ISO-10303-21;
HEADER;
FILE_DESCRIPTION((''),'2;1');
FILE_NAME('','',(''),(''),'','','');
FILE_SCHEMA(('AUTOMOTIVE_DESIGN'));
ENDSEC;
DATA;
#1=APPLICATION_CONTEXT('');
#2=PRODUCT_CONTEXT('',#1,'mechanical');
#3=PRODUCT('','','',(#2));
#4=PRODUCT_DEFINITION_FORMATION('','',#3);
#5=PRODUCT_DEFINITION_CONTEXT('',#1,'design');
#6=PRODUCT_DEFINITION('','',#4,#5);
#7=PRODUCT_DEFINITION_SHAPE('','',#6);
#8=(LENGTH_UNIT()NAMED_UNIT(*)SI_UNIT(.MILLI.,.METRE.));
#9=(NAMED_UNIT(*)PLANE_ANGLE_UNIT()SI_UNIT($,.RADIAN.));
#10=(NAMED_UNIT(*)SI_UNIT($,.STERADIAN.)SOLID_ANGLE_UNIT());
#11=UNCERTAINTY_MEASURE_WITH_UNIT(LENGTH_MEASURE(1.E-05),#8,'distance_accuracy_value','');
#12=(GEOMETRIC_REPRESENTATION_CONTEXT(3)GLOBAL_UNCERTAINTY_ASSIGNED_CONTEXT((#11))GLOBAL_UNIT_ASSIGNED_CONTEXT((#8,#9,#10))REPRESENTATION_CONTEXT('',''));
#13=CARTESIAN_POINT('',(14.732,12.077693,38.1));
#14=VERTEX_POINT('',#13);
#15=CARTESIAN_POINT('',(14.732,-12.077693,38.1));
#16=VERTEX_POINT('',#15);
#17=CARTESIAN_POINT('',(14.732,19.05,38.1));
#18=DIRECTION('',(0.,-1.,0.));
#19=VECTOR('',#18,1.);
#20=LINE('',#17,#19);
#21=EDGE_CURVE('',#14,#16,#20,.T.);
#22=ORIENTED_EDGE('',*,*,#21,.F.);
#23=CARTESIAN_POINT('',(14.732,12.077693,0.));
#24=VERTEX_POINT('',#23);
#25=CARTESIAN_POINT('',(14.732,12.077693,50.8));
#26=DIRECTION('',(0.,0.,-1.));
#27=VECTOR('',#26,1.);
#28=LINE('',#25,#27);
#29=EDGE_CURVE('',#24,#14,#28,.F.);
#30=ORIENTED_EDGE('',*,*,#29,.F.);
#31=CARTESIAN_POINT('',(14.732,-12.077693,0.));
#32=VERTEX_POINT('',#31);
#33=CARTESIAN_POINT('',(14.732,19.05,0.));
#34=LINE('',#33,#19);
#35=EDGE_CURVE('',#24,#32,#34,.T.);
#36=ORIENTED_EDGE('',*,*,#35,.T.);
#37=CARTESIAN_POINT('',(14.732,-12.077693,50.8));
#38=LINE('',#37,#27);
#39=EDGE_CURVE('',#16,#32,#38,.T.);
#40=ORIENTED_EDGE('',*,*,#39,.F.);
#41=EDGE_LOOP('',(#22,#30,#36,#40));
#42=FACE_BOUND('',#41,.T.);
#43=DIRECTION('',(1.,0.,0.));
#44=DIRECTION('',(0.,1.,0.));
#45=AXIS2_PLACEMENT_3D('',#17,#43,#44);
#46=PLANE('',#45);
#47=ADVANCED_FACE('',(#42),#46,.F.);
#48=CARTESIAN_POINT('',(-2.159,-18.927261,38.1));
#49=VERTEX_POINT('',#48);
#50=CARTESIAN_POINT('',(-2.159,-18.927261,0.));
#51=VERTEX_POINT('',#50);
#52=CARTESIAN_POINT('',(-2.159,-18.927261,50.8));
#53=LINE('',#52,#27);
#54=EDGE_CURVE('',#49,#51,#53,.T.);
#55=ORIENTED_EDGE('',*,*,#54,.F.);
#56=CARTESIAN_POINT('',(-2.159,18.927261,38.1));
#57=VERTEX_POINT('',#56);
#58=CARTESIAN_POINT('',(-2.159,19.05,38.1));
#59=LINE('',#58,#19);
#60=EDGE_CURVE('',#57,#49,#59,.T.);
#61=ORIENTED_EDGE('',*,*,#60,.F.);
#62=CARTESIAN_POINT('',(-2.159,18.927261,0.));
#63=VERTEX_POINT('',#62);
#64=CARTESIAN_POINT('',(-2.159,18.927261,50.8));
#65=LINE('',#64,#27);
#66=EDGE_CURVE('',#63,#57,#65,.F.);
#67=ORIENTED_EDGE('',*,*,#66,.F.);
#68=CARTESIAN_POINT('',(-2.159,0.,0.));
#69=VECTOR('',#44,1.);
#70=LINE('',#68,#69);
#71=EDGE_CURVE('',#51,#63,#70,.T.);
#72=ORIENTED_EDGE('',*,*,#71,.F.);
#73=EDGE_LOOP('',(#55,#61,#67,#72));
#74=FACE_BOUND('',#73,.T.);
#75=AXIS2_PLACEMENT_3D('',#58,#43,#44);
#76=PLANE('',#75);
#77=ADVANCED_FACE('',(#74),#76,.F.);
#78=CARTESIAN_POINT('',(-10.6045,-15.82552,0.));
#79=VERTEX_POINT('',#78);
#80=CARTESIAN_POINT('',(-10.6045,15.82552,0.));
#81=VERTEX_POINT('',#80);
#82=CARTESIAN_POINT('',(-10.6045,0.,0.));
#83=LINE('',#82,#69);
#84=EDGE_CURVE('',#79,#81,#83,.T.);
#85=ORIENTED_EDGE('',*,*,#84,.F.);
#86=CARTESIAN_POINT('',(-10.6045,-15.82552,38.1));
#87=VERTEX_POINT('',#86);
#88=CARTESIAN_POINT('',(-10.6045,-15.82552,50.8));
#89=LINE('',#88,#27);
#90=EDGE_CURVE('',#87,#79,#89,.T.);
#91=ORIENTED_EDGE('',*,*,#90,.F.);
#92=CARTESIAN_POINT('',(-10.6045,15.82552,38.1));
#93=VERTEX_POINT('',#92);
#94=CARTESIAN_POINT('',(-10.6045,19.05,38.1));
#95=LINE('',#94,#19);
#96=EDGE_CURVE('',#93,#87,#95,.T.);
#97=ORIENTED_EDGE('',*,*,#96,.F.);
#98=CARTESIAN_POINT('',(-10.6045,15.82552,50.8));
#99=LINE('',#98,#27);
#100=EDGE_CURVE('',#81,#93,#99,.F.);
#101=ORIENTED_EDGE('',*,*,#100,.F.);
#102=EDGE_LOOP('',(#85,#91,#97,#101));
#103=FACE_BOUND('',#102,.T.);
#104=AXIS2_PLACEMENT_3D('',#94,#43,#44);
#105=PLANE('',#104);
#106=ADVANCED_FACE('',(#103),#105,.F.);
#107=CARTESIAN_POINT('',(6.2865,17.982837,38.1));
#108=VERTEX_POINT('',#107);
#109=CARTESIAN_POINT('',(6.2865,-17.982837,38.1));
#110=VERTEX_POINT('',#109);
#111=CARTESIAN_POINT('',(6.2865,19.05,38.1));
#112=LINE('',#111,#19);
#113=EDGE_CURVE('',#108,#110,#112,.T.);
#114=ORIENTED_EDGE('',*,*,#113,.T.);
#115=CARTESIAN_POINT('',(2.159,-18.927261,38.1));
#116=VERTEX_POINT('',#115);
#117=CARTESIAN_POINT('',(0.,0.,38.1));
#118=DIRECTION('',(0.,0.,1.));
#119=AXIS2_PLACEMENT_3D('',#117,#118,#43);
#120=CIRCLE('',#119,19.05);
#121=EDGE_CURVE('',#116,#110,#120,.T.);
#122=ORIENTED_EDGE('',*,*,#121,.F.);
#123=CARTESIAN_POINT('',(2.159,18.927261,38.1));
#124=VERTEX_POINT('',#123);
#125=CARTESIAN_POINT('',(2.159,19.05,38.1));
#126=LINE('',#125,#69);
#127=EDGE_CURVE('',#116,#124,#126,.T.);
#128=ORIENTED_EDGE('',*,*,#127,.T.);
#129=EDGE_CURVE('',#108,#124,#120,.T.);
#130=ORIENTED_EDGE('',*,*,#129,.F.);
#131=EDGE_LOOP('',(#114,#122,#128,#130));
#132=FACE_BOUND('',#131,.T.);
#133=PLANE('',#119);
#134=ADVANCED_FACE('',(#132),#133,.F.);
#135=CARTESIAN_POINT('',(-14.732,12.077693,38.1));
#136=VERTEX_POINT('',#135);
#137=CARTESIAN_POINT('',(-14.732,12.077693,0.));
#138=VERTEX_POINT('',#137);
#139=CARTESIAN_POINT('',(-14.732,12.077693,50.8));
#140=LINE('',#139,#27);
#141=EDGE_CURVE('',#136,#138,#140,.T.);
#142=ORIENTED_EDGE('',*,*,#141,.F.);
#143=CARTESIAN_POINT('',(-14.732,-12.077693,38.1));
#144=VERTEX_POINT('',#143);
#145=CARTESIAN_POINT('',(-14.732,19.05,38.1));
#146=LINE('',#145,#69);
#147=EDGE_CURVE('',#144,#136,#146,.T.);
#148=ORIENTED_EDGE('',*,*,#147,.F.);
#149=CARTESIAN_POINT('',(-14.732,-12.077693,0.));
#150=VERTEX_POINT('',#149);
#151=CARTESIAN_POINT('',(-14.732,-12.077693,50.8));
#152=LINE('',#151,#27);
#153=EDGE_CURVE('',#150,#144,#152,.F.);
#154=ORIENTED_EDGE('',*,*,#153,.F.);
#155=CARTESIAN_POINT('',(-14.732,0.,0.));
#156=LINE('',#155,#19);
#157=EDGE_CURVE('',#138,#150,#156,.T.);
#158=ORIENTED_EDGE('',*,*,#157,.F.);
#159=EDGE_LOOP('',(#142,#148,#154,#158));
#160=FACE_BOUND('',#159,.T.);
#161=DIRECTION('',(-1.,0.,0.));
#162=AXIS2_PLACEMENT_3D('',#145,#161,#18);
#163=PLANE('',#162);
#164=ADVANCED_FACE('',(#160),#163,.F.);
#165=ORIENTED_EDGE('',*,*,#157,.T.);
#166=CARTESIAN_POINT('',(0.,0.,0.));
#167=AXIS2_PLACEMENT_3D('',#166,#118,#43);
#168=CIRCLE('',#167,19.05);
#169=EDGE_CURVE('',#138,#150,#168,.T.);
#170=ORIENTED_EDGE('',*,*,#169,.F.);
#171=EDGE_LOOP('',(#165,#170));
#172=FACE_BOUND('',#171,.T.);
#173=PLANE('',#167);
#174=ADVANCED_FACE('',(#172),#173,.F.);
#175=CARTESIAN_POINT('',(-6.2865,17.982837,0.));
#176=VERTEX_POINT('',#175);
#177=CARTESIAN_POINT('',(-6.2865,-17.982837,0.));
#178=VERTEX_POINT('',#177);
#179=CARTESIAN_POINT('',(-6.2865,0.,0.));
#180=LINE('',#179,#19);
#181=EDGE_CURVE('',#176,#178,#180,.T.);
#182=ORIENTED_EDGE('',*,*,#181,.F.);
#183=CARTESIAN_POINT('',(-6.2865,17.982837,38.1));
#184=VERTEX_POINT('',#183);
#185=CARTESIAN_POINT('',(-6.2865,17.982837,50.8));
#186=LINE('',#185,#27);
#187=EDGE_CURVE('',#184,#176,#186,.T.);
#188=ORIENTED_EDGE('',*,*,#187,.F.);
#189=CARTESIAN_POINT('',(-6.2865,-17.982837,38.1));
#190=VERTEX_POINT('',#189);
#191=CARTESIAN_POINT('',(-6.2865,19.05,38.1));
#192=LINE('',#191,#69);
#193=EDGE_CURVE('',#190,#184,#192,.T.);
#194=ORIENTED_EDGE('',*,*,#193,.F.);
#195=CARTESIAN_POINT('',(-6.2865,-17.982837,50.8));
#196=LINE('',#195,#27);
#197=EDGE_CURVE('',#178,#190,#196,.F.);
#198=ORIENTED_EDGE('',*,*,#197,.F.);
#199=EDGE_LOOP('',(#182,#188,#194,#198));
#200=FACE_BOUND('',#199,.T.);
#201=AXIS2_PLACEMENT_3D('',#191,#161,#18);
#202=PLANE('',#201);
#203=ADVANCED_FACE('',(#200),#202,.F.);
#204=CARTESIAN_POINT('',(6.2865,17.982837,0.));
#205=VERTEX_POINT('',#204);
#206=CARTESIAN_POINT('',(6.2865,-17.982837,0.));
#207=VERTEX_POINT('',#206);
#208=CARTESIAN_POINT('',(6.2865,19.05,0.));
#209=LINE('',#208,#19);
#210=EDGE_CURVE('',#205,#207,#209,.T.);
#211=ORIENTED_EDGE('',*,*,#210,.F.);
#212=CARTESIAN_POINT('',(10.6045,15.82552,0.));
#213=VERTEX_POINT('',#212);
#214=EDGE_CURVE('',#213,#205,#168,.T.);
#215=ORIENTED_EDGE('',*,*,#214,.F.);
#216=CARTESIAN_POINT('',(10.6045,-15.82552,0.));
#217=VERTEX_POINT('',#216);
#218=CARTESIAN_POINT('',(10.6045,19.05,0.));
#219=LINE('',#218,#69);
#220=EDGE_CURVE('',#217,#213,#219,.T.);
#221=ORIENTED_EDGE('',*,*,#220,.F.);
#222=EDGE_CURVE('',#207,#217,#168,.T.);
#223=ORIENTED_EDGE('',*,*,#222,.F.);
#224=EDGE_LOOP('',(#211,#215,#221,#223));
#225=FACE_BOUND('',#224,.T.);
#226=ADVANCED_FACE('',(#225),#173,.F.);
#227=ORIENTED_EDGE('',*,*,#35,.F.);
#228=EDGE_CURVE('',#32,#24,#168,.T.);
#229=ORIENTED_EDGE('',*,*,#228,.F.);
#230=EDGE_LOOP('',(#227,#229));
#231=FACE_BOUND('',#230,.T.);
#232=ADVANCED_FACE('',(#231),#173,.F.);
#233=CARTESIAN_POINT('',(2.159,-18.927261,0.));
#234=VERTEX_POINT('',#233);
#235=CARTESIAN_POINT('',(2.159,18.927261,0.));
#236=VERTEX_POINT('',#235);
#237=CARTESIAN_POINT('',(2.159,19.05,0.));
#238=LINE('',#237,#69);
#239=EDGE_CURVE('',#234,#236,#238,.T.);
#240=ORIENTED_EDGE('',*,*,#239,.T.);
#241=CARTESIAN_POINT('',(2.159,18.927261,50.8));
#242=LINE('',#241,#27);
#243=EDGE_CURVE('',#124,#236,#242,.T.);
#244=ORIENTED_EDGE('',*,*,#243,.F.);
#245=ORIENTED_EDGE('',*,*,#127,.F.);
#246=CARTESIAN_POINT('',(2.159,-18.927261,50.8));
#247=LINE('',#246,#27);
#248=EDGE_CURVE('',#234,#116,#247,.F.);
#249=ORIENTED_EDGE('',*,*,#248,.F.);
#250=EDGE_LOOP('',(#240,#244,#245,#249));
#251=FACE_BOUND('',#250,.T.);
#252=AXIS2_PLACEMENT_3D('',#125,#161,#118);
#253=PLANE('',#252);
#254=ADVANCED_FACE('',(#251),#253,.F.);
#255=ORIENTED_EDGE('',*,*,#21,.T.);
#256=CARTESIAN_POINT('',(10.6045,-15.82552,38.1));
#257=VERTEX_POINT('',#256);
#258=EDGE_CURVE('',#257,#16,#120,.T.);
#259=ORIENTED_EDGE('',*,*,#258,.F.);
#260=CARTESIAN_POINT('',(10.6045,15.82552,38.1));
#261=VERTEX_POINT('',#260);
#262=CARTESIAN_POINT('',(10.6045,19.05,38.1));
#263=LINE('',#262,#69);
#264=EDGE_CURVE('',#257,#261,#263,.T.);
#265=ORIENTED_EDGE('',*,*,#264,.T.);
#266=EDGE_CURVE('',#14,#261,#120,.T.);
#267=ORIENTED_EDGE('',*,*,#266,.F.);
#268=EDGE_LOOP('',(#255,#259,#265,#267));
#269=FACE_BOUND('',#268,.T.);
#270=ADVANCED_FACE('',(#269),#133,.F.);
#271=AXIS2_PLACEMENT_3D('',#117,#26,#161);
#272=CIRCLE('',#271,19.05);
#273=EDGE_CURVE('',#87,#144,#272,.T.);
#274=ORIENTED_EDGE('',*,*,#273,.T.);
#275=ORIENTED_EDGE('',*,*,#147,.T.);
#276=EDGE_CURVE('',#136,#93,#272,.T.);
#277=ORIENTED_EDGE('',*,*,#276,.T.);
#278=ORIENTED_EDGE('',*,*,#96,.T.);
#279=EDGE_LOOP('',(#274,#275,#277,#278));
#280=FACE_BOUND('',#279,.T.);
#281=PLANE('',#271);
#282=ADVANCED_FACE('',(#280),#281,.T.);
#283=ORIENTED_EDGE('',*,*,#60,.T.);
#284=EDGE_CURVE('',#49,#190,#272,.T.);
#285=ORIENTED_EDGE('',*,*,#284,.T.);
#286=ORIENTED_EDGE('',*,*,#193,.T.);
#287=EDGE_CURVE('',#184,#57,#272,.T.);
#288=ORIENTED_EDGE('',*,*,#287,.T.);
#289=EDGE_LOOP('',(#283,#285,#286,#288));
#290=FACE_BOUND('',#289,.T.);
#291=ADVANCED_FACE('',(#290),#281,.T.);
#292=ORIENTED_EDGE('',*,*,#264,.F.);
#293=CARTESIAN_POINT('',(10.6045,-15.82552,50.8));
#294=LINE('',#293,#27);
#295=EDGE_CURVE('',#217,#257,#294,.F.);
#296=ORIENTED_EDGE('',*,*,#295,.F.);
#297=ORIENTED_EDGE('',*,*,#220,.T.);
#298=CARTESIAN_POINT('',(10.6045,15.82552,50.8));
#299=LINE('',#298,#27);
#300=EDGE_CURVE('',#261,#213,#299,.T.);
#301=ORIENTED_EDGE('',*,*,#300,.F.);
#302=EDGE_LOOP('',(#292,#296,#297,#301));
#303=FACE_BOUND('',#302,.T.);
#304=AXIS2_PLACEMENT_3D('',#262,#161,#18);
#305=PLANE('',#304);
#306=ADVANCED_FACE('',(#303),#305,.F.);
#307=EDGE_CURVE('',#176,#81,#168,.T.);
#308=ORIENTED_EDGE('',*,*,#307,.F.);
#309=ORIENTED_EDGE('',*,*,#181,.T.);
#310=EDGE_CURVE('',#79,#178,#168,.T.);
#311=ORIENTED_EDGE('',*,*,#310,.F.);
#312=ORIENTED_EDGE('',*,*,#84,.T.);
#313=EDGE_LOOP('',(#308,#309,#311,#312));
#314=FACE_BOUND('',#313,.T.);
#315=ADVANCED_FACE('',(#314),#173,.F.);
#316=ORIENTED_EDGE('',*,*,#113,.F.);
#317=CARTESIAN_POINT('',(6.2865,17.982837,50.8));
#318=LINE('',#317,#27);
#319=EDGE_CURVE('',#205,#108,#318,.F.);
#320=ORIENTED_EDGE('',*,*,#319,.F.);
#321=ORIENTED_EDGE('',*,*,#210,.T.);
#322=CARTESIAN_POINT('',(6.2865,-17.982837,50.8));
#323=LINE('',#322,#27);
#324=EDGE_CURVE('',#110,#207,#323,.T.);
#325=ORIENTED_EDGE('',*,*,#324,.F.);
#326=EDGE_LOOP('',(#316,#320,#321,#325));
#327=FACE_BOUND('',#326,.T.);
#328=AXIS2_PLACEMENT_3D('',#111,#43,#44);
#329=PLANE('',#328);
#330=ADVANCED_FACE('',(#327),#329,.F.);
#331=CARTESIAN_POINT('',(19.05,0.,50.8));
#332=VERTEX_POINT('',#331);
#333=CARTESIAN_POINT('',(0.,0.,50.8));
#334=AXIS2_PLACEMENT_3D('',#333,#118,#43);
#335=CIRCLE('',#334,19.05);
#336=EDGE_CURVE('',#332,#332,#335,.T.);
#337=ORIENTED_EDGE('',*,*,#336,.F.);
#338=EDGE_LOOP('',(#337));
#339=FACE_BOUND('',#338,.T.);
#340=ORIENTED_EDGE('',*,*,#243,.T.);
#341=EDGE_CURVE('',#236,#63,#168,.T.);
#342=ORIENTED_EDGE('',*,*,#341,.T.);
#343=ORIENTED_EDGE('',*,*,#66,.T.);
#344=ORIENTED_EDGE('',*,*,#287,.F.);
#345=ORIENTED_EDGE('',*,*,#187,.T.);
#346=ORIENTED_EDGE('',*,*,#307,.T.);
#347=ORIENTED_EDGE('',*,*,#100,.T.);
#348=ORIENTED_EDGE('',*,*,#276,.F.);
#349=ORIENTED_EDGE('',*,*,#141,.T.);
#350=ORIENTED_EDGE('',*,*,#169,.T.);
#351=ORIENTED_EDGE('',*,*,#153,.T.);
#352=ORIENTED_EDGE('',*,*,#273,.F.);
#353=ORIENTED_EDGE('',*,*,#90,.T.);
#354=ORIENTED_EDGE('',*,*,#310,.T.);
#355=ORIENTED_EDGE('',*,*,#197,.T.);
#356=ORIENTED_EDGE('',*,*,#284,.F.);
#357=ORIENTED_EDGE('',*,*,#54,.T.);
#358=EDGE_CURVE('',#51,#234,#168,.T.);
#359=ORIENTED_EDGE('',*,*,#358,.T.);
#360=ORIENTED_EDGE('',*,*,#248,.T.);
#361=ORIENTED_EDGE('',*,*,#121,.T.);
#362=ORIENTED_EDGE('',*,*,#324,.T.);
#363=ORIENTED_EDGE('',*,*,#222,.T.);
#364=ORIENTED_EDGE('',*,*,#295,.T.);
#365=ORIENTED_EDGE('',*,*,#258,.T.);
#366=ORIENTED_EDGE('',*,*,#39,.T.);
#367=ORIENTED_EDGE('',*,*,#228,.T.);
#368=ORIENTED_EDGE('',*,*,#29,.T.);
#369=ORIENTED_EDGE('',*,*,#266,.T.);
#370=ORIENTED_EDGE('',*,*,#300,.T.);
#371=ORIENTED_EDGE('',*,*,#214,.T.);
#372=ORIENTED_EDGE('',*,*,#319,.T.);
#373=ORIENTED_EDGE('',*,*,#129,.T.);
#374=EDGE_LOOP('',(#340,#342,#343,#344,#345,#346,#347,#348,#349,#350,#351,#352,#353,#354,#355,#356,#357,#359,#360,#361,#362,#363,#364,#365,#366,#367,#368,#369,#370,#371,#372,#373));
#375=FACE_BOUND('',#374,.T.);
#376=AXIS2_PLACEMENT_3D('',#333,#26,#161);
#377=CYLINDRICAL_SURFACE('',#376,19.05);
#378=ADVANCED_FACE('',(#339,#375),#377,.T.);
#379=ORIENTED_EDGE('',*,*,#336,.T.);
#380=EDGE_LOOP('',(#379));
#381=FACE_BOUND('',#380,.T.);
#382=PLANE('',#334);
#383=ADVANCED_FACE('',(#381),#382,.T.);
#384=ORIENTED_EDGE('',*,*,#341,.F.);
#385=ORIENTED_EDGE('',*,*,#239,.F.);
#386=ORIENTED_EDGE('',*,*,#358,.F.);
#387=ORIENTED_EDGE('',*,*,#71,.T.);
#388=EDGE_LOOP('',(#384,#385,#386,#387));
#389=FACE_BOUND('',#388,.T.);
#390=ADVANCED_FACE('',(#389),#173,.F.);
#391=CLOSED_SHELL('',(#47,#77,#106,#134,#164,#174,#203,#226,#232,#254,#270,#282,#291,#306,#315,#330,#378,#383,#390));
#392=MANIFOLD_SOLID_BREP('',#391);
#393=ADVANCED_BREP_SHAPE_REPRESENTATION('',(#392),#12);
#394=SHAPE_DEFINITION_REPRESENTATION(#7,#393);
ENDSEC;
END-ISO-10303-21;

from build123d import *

# Parameters (mm, degrees)
ESQUISSE1_R             = 19.05
BOSS_EXTRU_1_DEPTH      = 50.8
ESQUISSE6_W             = 4.1275
ESQUISSE6_H             = 38.1
ENL_V_MAT_EXTRU_1_DEPTH = 38.1
ESQUISSE7_W             = 4.1275
ESQUISSE7_H             = 38.1
ENL_V_MAT_EXTRU_2_DEPTH = 38.1


with BuildPart() as part:
    # Esquisse1 → Boss.-Extru.1 (new body)
    with BuildSketch(Plane.XY):
        Circle(ESQUISSE1_R)
    extrude(amount=BOSS_EXTRU_1_DEPTH)

    # Esquisse6 → Enlèv. mat.-Extru.1 (cut)
    with BuildSketch(Plane(origin=(0, 0, 0), x_dir=(-1, 0, 0), z_dir=(0, 0, -1))):
        with Locations((4.22275, 0)):
            Rectangle(ESQUISSE6_W, ESQUISSE6_H)
    extrude(amount=-ENL_V_MAT_EXTRU_1_DEPTH, mode=Mode.SUBTRACT)

    # Esquisse7 → Enlèv. mat.-Extru.2 (cut)
    with BuildSketch(Plane(origin=(0, 0, 0), x_dir=(-1, 0, 0), z_dir=(0, 0, -1))):
        with Locations((-4.22275, 0)):
            Rectangle(ESQUISSE7_W, ESQUISSE7_H)
        with Locations((-12.66825, 0)):
            Rectangle(ESQUISSE7_W, ESQUISSE7_H)
        with Locations((12.66825, 0)):
            Rectangle(ESQUISSE7_W, ESQUISSE7_H)
    extrude(amount=-ENL_V_MAT_EXTRU_2_DEPTH, mode=Mode.SUBTRACT)


solid = part.part
